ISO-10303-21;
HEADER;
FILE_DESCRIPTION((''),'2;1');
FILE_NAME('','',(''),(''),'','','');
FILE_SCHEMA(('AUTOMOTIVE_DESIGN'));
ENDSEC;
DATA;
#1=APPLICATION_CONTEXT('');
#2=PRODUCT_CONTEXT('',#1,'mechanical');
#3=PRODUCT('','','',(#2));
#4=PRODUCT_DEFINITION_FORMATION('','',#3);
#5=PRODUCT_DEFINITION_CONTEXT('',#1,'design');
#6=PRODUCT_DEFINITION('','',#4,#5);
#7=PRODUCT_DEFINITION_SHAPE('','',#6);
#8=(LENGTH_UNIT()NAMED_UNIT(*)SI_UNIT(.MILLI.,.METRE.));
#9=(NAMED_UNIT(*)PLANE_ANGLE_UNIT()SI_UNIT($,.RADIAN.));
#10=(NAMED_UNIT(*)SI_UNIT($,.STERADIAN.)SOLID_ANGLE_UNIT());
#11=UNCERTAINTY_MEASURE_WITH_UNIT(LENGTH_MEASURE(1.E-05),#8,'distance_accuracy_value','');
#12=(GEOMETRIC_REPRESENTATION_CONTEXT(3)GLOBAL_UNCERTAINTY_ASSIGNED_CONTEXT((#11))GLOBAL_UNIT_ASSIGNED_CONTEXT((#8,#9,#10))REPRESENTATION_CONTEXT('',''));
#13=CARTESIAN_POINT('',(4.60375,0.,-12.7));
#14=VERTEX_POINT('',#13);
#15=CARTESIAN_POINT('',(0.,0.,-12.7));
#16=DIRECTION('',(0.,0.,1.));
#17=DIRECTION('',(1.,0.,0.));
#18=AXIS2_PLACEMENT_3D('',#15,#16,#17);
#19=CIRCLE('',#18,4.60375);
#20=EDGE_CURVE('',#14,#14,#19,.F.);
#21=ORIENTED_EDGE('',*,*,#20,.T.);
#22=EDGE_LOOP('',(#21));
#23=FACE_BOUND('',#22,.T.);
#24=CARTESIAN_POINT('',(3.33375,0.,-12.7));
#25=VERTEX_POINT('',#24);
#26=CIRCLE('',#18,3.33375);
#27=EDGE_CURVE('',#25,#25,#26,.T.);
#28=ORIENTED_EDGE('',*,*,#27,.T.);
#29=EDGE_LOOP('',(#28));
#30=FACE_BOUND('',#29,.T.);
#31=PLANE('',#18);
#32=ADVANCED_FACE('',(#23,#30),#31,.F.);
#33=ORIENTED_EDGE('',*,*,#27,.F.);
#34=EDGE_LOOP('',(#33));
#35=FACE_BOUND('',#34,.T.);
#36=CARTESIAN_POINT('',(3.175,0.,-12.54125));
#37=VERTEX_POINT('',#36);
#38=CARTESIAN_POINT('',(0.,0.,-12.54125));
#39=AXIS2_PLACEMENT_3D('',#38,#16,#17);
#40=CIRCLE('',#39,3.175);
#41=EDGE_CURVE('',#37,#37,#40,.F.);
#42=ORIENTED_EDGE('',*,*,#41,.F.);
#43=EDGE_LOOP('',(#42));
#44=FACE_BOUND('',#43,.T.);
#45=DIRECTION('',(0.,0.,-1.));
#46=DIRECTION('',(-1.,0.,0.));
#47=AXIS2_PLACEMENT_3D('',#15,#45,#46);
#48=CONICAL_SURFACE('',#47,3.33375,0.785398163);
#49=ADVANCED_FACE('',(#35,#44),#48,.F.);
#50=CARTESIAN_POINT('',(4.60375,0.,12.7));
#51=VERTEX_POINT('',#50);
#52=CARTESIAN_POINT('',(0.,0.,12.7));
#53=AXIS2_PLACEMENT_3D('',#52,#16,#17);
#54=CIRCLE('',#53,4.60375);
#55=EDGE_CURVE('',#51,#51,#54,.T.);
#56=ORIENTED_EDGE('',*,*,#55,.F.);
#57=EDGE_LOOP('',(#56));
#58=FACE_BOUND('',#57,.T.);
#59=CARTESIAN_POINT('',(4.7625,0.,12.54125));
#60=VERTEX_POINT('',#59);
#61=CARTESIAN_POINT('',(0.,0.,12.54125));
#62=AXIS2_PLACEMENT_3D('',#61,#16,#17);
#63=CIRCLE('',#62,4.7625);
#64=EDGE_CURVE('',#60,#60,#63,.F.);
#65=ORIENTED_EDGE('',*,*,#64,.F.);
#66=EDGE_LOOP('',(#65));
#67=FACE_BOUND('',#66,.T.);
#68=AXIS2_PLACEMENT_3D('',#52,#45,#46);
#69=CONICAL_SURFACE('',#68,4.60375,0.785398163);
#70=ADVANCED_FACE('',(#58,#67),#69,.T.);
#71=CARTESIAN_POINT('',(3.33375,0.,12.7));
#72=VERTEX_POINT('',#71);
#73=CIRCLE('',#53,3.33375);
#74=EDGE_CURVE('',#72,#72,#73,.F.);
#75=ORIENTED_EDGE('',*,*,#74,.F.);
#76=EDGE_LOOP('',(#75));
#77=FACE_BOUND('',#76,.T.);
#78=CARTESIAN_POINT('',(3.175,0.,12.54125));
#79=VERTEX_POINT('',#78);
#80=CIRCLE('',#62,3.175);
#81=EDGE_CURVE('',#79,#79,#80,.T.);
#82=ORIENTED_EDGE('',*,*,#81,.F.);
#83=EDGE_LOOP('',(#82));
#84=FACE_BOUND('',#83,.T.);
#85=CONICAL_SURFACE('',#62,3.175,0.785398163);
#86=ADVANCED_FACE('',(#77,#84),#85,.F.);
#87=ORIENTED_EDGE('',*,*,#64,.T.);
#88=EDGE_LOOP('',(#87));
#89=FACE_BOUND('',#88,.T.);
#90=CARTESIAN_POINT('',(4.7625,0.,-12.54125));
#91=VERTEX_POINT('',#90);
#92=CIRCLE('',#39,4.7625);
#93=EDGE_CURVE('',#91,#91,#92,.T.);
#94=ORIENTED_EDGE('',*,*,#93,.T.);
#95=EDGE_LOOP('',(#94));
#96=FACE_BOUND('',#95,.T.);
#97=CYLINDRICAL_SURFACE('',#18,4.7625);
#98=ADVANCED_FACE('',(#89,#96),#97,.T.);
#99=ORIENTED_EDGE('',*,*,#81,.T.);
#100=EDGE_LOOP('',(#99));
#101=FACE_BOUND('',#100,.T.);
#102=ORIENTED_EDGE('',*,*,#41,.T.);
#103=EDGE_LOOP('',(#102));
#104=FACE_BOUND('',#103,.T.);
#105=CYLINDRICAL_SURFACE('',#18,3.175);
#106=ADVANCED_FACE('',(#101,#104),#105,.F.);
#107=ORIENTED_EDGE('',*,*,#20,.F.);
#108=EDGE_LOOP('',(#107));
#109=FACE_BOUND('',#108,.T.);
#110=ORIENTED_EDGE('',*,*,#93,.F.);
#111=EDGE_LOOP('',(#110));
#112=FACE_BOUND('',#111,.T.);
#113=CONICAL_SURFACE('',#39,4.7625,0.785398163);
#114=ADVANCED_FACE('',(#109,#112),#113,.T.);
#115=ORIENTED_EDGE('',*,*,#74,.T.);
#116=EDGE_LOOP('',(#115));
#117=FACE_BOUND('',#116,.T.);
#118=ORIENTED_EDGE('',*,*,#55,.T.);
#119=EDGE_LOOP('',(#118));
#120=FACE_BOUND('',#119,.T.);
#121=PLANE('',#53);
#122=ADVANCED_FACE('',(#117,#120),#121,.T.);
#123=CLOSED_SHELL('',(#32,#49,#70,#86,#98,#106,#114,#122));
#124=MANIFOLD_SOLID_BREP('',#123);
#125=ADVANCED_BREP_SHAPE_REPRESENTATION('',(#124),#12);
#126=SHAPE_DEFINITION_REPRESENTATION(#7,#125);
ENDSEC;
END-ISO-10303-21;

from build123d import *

# Parameters (mm, degrees)
BOSS_EXTRUDE1_DEPTH      = 12.7
BOSS_EXTRUDE1_DEPTH_BACK = 12.7
SKETCH3_R                = 4.7625
SKETCH3_R_2              = 3.175
CHAMFER1_SIZE            = 0.15875


with BuildPart() as part:
    # Sketch3 → Boss-Extrude1 (new, two sides: drawn at the far end of the back side and taken through both)
    with BuildSketch(Plane.XY.offset(-BOSS_EXTRUDE1_DEPTH_BACK)):
        Circle(SKETCH3_R)
        Circle(SKETCH3_R_2, mode=Mode.SUBTRACT)
    extrude(amount=BOSS_EXTRUDE1_DEPTH + BOSS_EXTRUDE1_DEPTH_BACK)

    # Chamfer1
    chamfer1_edges = [part.edges().sort_by_distance(p)[0] for p in [
        (-4.7625, 0, -12.7),
        (-3.175, 0, -12.7),
        (-4.7625, 0, 12.7),
        (-3.175, 0, 12.7),
    ]]
    chamfer(chamfer1_edges, length=CHAMFER1_SIZE)


solid = part.part
